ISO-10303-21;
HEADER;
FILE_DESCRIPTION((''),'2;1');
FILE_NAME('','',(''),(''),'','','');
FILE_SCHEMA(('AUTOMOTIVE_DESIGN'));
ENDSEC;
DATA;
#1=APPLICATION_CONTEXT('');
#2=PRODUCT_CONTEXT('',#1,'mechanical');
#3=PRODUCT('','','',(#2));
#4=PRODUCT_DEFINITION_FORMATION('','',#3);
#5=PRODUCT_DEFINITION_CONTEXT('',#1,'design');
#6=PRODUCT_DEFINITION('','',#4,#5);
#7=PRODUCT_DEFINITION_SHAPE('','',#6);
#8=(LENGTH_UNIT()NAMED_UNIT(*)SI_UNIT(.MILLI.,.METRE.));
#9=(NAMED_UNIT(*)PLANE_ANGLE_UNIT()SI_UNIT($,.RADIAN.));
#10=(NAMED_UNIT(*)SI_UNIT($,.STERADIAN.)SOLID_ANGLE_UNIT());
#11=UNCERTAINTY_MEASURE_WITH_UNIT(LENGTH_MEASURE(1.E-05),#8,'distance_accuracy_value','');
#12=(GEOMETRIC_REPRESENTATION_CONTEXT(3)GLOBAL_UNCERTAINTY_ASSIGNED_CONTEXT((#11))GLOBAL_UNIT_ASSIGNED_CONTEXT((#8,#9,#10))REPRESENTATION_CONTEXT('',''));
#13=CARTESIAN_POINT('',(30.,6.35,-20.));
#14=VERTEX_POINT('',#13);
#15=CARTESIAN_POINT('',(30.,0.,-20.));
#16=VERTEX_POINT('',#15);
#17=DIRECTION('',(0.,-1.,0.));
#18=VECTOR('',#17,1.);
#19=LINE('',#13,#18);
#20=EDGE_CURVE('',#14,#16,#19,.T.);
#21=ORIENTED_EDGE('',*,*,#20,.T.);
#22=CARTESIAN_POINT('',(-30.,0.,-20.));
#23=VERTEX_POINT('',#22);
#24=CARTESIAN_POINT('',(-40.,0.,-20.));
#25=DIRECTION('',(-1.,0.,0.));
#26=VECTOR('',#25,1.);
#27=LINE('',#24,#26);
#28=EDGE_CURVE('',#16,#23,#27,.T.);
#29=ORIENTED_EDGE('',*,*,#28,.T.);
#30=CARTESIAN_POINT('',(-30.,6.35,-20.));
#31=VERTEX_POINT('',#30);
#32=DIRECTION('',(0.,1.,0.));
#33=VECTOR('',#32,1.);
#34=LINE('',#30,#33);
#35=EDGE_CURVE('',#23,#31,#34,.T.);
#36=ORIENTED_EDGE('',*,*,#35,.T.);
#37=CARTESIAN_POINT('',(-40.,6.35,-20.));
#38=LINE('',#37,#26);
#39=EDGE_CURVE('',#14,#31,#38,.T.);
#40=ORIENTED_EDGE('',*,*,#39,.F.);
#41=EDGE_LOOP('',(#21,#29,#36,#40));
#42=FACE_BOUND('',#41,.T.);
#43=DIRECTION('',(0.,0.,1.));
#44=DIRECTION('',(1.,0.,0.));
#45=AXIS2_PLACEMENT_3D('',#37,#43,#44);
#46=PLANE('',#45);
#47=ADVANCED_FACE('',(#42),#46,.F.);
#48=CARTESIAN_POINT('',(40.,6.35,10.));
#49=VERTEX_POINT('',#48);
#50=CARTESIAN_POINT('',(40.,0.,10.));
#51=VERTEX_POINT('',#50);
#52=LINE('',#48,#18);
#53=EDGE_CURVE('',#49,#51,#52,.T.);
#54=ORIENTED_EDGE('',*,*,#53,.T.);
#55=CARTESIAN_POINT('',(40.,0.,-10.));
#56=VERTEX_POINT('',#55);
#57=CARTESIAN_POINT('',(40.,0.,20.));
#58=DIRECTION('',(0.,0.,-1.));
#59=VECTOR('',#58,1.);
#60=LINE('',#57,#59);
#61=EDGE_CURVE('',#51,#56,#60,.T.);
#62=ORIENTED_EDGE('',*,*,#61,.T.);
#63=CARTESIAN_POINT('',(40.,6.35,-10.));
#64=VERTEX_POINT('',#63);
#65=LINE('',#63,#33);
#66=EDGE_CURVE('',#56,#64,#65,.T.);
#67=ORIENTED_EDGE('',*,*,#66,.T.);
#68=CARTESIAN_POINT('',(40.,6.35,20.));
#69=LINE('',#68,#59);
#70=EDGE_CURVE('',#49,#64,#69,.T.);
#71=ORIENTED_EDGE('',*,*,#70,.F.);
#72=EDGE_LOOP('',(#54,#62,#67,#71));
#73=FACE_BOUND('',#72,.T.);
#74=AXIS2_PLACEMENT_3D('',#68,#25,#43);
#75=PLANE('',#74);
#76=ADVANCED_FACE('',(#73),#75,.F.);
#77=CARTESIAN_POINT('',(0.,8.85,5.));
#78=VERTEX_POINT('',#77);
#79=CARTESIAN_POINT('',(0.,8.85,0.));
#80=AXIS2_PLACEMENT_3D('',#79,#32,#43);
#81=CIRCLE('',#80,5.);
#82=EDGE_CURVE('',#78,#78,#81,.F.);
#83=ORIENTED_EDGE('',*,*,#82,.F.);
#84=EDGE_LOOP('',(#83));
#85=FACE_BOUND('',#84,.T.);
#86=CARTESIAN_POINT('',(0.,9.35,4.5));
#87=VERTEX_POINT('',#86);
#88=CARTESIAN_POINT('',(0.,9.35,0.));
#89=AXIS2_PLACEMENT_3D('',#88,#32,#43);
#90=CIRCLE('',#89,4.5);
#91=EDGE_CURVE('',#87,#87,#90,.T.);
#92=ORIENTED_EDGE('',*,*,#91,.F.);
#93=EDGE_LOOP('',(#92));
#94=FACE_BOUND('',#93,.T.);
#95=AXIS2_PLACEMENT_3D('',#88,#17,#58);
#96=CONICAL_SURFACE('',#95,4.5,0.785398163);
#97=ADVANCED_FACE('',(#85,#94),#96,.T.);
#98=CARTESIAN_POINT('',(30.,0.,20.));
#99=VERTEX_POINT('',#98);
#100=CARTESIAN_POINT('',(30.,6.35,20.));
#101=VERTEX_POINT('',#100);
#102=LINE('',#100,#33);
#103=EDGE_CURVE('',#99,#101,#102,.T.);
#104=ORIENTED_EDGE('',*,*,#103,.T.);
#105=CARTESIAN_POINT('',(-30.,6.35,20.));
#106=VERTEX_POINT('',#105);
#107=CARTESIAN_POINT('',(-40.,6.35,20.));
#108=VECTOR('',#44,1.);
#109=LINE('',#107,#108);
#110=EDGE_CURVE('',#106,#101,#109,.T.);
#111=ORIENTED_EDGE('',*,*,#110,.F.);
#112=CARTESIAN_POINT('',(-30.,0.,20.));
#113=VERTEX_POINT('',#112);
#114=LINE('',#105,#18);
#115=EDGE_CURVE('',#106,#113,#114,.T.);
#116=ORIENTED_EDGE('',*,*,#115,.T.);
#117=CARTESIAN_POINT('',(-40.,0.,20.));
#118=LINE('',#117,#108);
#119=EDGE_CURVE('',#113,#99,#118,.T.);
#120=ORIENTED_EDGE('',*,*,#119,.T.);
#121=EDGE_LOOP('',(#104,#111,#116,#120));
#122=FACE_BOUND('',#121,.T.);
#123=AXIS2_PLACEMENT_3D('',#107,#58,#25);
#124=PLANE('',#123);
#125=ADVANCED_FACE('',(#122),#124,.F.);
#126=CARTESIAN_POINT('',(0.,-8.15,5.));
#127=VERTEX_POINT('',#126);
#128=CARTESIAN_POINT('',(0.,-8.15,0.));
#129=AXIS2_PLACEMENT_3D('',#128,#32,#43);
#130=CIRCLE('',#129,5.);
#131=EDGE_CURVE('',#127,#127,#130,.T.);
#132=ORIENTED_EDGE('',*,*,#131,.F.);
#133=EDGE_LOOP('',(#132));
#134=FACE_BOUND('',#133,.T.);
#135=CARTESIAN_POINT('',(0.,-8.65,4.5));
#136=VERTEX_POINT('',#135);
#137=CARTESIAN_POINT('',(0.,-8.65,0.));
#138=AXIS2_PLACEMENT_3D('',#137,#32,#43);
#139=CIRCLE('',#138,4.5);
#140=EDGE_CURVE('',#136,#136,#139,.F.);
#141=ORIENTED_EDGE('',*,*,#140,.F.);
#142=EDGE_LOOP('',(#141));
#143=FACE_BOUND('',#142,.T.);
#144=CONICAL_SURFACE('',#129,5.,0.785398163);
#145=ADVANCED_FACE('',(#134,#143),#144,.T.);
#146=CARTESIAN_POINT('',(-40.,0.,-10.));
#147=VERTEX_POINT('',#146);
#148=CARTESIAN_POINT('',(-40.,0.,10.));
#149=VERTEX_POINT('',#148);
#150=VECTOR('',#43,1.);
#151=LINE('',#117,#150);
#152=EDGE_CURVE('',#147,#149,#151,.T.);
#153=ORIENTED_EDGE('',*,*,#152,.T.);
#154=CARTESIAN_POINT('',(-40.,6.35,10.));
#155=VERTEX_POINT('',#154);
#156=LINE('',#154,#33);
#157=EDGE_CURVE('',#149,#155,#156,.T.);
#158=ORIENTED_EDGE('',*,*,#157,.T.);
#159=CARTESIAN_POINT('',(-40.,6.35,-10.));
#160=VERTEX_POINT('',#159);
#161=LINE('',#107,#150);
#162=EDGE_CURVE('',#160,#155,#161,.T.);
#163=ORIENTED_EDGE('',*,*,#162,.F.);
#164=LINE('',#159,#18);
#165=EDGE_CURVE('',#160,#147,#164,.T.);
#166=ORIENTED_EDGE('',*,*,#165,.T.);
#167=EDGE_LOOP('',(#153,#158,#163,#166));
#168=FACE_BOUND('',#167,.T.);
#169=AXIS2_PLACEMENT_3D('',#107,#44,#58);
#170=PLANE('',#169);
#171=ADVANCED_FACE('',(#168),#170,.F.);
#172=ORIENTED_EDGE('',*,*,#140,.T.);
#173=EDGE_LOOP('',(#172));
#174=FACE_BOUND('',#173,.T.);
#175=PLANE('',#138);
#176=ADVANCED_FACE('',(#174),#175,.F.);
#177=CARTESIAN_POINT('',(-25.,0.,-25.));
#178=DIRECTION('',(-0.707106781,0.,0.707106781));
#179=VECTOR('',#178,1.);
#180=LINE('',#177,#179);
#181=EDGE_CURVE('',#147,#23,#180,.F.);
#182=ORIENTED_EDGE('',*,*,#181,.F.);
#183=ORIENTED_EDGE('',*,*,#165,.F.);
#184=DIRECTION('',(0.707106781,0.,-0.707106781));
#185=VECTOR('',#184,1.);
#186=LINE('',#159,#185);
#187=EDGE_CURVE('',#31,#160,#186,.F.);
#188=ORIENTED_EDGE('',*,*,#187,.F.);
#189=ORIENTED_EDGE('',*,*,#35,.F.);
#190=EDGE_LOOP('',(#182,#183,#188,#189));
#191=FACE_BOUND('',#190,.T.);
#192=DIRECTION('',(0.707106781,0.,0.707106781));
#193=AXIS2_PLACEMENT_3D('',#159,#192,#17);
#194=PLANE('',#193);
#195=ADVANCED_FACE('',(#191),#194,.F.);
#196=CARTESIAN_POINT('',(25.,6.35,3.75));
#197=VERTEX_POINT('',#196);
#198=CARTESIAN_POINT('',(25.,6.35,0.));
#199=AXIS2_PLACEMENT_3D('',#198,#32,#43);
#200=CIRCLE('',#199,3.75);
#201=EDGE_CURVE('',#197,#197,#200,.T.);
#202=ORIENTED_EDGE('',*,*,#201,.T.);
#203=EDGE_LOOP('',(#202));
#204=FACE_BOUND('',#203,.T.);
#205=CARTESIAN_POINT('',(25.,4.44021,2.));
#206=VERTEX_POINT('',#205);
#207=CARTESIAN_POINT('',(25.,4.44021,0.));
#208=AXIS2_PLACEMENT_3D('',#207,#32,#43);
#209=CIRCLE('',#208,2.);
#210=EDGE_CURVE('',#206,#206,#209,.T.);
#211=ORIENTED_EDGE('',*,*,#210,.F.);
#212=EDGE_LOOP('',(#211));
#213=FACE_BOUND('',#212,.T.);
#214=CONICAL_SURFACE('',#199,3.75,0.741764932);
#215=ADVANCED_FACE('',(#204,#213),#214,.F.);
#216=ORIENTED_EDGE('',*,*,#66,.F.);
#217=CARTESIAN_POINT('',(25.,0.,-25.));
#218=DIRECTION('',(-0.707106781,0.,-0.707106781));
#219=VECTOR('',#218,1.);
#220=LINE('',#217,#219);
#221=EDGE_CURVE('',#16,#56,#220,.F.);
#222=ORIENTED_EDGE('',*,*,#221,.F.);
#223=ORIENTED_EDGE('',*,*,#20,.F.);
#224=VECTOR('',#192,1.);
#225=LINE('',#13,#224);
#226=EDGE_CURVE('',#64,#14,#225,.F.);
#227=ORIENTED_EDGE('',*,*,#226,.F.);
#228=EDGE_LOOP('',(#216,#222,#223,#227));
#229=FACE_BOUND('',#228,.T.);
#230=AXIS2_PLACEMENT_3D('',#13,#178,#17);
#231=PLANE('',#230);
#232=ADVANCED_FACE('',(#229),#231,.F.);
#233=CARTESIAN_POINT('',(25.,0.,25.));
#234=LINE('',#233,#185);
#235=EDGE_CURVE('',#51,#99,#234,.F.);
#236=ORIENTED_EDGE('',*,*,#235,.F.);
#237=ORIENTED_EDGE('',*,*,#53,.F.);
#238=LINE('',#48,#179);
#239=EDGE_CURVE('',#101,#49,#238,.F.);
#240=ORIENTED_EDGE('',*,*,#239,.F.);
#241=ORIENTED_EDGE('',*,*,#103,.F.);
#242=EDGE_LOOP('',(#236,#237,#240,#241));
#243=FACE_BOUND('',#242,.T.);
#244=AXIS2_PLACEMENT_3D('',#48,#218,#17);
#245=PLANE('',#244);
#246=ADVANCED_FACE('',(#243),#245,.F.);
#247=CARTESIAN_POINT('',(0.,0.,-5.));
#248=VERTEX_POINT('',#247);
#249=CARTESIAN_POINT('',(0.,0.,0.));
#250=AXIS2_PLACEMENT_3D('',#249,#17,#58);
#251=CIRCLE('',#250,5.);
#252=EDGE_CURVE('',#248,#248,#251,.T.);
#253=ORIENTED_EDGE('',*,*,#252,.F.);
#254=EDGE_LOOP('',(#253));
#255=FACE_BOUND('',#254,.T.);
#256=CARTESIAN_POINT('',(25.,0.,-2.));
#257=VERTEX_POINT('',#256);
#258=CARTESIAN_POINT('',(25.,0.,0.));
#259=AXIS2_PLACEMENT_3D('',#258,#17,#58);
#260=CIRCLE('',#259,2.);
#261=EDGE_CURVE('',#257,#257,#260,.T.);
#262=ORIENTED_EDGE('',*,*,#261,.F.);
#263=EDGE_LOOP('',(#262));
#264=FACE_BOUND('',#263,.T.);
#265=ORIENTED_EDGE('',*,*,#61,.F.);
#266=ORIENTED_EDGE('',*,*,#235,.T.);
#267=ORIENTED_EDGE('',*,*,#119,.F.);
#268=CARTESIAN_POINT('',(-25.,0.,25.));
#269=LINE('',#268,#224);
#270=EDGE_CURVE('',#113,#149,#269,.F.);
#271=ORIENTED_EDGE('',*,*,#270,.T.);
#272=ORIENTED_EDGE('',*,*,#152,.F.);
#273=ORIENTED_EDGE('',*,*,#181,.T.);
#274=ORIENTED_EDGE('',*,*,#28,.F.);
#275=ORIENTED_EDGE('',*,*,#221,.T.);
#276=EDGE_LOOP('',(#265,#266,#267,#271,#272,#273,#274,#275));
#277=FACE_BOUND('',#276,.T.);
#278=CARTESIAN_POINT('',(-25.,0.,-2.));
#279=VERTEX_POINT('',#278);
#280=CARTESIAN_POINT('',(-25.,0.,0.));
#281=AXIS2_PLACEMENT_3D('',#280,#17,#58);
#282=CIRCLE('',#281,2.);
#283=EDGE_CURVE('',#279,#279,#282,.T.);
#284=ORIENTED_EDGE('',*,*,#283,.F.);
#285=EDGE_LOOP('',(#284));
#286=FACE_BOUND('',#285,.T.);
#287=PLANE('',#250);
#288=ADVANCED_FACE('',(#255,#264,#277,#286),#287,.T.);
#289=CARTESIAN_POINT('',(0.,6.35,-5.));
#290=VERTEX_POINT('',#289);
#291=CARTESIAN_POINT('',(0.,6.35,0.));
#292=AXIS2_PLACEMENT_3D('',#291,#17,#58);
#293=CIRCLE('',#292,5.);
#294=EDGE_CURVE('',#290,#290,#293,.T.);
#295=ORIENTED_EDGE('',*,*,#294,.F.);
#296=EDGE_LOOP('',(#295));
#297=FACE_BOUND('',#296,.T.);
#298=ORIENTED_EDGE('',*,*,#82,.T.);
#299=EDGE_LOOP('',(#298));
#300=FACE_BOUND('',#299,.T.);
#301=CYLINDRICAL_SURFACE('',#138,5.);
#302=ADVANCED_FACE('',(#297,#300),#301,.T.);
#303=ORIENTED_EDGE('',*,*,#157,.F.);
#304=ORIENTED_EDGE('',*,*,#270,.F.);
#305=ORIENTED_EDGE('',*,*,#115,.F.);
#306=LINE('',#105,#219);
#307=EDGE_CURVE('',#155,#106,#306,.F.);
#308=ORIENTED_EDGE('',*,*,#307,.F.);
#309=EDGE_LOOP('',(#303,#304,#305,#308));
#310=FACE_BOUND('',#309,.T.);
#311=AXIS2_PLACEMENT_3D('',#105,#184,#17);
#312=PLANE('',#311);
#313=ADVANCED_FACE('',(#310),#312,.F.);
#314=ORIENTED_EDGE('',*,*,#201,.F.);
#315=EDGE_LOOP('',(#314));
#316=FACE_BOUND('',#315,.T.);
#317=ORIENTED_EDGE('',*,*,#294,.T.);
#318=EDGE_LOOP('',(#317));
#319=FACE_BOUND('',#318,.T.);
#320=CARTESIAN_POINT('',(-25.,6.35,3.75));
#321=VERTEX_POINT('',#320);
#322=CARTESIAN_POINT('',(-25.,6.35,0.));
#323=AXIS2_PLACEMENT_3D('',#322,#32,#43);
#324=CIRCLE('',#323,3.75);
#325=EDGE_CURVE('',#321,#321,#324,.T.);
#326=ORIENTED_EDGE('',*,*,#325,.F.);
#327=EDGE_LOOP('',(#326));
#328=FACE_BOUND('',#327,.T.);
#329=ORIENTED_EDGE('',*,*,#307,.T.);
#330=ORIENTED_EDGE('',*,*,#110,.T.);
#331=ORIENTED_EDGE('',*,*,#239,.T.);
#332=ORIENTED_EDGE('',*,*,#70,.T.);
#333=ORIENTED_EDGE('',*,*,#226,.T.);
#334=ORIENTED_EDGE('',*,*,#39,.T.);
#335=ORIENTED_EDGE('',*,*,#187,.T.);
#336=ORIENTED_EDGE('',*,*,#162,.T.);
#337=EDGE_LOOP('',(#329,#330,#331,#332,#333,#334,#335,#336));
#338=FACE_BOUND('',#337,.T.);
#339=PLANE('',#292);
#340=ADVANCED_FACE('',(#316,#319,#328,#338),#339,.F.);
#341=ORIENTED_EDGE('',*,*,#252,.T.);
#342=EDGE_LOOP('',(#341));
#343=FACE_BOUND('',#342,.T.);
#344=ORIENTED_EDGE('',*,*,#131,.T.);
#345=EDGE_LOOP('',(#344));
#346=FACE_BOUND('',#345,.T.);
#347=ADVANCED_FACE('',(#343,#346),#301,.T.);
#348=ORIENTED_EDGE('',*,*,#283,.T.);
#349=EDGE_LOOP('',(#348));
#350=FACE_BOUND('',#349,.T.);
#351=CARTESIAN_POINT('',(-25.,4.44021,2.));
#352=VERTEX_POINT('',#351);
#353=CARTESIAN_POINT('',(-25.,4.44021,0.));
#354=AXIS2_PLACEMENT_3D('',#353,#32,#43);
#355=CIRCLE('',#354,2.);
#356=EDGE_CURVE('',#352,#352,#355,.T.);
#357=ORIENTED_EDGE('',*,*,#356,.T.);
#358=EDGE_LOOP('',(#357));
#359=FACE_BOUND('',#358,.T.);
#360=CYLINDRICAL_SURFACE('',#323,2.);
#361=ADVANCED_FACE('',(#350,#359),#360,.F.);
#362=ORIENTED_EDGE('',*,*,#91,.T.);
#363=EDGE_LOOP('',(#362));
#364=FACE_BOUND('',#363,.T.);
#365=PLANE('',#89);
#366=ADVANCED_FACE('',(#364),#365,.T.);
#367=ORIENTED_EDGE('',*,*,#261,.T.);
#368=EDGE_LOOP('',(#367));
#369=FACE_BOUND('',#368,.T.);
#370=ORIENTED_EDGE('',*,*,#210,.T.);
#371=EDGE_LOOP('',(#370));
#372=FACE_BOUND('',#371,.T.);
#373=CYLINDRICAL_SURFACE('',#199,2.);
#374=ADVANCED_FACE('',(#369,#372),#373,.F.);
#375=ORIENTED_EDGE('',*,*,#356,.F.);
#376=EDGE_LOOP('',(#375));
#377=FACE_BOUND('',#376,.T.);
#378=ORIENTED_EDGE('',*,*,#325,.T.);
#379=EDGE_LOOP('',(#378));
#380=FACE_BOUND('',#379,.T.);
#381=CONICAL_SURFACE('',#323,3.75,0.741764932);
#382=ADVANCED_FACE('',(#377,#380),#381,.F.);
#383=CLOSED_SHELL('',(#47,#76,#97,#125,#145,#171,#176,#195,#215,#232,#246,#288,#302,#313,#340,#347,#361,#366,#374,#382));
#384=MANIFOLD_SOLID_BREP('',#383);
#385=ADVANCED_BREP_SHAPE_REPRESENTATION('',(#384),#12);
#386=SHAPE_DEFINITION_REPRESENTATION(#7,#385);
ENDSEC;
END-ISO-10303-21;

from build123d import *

# Parameters (mm, degrees)
SKETCH1_W                                       = 80
SKETCH1_H                                       = 40
BOSS_EXTRUDE1_DEPTH                             = 6.35
CSK_FOR_M3_FLAT_HEAD_MACHINE_SCREW1_D           = 4
CSK_FOR_M3_FLAT_HEAD_MACHINE_SCREW1_CSINK_D     = 7.5
CSK_FOR_M3_FLAT_HEAD_MACHINE_SCREW1_CSINK_ANGLE = 85
BOSS_EXTRUDE2_DEPTH                             = 3
BOSS_EXTRUDE2_DEPTH_BACK                        = 15
SKETCH8_R                                       = 5
CHAMFER1_SIZE                                   = 10
CHAMFER2_SIZE                                   = 0.5


with BuildPart() as part:
    # Sketch1 → Boss-Extrude1 (new body)
    with BuildSketch(Plane(origin=(0, 0, 0), x_dir=(1, 0, 0), z_dir=(0, 1, 0))):
        Rectangle(SKETCH1_W, SKETCH1_H)
    extrude(amount=BOSS_EXTRUDE1_DEPTH)

    # CSK for M3 Flat Head Machine Screw1 (through all)
    with Locations(Plane(origin=(0, 6.35, 0), x_dir=(1, 0, 0), z_dir=(0, 1, 0))):
        with Locations((-25, 0), (25, 0)):
            CounterSinkHole(CSK_FOR_M3_FLAT_HEAD_MACHINE_SCREW1_D / 2, CSK_FOR_M3_FLAT_HEAD_MACHINE_SCREW1_CSINK_D / 2, counter_sink_angle=CSK_FOR_M3_FLAT_HEAD_MACHINE_SCREW1_CSINK_ANGLE)

    # Sketch8 → Boss-Extrude2 (add, two sides: drawn at the far end of the back side and taken through both)
    with BuildSketch(Plane(origin=(0, 6.35, 0), x_dir=(1, 0, 0), z_dir=(0, 1, 0)).offset(-BOSS_EXTRUDE2_DEPTH_BACK)):
        with Locations(Location((0, 0, 0), (0, 0, 270))):
            Circle(SKETCH8_R)
    extrude(amount=BOSS_EXTRUDE2_DEPTH + BOSS_EXTRUDE2_DEPTH_BACK)

    # Chamfer1
    chamfer1_edges = [part.edges().sort_by_distance(p)[0] for p in [
        (40, 3.175, 20),
        (-40, 3.175, 20),
        (-40, 3.175, -20),
        (40, 3.175, -20),
    ]]
    chamfer(chamfer1_edges, length=CHAMFER1_SIZE)

    # Chamfer2
    chamfer2_edges = [part.edges().sort_by_distance(p)[0] for p in [
        (0, -8.65, -5),
        (0, 9.35, -5),
    ]]
    chamfer(chamfer2_edges, length=CHAMFER2_SIZE)


solid = part.part
